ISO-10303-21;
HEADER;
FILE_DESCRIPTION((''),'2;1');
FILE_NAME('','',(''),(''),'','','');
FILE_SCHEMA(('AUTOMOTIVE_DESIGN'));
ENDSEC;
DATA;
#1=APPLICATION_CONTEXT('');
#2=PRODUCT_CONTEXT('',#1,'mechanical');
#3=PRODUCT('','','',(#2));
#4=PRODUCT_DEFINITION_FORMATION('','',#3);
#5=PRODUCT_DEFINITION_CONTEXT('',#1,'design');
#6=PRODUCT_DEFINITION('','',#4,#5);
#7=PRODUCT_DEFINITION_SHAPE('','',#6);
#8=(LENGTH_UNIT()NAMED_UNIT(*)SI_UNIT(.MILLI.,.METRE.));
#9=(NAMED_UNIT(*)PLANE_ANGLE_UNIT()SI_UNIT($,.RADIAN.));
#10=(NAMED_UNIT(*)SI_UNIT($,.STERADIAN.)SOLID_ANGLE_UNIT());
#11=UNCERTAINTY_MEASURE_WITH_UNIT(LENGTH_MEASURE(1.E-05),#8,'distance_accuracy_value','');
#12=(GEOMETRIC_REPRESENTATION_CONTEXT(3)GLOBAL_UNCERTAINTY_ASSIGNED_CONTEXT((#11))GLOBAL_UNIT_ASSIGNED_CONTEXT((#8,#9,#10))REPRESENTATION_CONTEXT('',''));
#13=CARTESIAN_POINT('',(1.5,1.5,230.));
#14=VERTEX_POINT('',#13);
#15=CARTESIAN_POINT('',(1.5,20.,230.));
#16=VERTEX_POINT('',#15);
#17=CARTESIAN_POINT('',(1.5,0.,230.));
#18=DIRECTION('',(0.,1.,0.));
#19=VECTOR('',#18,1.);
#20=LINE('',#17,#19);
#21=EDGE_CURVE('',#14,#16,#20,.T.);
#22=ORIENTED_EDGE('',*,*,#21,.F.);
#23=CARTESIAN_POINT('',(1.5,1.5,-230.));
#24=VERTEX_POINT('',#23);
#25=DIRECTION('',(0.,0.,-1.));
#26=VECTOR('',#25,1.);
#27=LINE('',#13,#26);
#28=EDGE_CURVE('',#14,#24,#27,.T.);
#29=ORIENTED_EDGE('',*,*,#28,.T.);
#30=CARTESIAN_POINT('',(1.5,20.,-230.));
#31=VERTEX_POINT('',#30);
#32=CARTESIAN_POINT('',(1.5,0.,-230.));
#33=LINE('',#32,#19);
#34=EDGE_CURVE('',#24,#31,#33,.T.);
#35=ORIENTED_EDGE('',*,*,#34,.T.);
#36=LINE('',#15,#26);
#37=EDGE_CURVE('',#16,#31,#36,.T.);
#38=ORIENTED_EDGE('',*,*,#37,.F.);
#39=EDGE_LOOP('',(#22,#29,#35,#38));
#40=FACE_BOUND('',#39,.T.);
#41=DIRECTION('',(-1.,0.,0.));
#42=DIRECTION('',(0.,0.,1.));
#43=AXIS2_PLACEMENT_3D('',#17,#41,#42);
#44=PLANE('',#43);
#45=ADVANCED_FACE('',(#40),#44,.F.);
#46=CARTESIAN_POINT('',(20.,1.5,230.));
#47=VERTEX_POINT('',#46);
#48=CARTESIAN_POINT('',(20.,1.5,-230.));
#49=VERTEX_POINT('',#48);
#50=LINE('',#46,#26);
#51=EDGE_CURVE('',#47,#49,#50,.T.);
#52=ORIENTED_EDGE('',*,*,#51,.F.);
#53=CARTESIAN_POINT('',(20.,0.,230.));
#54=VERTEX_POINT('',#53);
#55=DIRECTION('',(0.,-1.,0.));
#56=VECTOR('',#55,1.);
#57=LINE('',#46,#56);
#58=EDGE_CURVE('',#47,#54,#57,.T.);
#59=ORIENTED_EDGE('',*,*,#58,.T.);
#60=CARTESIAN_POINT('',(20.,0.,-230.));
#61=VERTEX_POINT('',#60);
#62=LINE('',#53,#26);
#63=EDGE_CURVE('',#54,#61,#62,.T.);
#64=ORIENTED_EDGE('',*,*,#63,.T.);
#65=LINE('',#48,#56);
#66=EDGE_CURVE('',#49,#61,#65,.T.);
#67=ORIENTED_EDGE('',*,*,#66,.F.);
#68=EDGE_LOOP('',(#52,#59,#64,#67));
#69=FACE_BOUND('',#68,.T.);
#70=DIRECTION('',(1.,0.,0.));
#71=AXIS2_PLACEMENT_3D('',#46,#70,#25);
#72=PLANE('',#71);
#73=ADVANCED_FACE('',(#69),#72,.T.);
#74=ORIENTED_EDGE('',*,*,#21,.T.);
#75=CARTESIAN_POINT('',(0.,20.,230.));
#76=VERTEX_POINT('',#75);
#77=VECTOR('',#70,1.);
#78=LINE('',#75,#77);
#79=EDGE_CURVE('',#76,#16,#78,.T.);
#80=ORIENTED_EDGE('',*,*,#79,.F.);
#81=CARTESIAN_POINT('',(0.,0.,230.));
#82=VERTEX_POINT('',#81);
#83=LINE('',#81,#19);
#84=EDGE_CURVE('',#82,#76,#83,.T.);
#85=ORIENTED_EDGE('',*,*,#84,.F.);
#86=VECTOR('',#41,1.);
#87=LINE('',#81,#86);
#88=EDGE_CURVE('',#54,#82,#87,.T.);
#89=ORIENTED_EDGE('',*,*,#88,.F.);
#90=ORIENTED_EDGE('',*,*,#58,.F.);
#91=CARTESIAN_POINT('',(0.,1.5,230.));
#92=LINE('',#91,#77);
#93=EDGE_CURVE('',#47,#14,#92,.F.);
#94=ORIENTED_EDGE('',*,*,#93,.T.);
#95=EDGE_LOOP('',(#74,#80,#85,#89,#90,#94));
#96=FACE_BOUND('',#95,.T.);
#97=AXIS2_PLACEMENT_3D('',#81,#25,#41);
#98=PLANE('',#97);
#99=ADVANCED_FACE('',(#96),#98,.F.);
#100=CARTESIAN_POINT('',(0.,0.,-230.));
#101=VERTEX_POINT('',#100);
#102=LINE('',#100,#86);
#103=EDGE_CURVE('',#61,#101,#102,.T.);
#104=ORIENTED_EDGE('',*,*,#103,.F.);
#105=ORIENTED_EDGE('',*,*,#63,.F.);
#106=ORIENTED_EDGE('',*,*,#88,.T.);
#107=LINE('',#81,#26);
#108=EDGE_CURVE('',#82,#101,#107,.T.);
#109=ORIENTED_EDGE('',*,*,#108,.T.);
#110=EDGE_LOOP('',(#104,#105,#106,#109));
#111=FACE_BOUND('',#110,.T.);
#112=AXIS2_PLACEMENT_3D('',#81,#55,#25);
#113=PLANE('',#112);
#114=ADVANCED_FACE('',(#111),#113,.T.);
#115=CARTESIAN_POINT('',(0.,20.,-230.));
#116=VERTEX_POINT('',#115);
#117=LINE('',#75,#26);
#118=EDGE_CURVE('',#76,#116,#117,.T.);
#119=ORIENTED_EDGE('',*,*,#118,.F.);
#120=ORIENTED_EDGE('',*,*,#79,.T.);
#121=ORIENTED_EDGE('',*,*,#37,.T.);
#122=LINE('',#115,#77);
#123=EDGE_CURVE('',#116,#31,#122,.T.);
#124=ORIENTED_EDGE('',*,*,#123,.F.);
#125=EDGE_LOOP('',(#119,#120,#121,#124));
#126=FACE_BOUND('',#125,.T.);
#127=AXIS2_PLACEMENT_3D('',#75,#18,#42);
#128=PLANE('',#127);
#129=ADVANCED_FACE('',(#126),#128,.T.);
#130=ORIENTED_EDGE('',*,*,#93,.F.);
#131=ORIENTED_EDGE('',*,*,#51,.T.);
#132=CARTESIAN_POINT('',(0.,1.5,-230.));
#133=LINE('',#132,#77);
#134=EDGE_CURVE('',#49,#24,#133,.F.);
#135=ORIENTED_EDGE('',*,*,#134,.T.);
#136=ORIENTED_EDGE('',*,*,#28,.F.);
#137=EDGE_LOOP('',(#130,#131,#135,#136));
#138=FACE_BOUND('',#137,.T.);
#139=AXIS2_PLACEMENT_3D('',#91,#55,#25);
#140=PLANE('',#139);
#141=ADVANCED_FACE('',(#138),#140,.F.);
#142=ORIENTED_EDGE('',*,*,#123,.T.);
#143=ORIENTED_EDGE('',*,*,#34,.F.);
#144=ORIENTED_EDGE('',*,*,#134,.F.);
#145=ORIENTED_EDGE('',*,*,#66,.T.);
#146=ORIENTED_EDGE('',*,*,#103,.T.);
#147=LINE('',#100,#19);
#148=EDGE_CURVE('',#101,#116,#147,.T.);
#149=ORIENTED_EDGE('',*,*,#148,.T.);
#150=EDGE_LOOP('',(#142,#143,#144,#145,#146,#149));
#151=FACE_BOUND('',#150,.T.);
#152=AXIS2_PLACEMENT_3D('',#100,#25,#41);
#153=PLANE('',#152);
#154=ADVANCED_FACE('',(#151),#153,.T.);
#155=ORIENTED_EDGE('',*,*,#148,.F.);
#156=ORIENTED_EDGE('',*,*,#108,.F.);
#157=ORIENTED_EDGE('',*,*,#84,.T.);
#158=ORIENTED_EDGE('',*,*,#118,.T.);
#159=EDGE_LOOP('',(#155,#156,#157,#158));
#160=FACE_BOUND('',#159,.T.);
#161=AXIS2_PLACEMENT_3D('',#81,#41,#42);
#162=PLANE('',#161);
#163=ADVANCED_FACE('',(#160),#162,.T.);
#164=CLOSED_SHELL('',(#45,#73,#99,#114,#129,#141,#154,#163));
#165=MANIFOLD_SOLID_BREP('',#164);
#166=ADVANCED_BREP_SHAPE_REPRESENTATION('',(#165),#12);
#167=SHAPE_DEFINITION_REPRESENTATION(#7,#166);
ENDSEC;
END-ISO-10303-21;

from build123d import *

# Parameters (mm, degrees)
EXTRUDE_THIN1_DEPTH = 230


with BuildPart() as part:
    # Sketch1 → Extrude-Thin1 (new, symmetric)
    with BuildSketch(Plane.XY):
        Polygon((0, 20), (0, 0), (20, 0), (20, 1.5), (1.5, 1.5), (1.5, 20), align=None)
    extrude(amount=EXTRUDE_THIN1_DEPTH, both=True)


solid = part.part
